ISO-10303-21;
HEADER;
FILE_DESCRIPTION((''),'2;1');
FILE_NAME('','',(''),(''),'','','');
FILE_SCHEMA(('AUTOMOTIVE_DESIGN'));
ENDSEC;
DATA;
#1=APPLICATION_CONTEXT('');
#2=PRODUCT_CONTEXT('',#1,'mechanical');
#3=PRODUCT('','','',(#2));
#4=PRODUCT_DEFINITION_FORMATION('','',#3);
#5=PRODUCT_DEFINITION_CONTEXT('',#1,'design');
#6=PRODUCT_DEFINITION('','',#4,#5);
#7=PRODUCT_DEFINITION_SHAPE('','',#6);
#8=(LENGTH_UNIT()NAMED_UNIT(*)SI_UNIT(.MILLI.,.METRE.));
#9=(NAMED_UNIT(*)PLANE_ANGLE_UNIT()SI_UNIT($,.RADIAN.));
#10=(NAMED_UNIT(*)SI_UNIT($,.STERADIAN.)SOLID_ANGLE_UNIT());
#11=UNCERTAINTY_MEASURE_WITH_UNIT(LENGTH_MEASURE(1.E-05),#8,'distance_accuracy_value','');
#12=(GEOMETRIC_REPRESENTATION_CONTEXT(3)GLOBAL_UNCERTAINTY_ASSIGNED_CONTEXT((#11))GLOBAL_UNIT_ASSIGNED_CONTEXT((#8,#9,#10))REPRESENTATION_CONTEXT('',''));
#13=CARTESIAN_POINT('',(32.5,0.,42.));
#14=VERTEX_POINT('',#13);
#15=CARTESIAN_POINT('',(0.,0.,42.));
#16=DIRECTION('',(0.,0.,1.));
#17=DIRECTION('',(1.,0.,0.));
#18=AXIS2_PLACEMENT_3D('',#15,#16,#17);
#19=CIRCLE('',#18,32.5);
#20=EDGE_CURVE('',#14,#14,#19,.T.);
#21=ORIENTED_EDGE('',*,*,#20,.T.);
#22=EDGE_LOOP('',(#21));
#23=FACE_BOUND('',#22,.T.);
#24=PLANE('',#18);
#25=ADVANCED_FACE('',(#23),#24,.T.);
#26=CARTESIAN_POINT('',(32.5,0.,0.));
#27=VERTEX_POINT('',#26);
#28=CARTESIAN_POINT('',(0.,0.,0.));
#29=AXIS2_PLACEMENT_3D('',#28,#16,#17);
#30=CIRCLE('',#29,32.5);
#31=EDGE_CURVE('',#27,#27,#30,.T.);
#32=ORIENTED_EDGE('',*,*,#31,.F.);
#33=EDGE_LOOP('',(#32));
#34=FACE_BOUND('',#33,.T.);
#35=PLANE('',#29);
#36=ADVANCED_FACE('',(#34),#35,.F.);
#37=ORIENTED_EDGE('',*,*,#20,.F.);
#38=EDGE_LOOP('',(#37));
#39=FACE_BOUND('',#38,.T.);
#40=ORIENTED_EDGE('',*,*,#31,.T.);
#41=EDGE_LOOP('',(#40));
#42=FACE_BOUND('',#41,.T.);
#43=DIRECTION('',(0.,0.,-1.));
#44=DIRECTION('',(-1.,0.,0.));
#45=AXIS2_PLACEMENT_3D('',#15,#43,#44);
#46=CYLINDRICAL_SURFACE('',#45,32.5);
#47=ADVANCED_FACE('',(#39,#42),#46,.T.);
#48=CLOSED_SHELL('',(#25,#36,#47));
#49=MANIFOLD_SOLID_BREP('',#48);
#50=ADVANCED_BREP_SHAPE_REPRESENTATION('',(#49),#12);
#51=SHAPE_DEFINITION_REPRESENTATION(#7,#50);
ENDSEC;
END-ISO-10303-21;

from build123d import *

# Parameters (mm, degrees)
SKETCH1_R           = 32.5
BOSS_EXTRUDE1_DEPTH = 42


with BuildPart() as part:
    # Sketch1 → Boss-Extrude1 (new body)
    with BuildSketch(Plane.XY):
        Circle(SKETCH1_R)
    extrude(amount=BOSS_EXTRUDE1_DEPTH)


solid = part.part
